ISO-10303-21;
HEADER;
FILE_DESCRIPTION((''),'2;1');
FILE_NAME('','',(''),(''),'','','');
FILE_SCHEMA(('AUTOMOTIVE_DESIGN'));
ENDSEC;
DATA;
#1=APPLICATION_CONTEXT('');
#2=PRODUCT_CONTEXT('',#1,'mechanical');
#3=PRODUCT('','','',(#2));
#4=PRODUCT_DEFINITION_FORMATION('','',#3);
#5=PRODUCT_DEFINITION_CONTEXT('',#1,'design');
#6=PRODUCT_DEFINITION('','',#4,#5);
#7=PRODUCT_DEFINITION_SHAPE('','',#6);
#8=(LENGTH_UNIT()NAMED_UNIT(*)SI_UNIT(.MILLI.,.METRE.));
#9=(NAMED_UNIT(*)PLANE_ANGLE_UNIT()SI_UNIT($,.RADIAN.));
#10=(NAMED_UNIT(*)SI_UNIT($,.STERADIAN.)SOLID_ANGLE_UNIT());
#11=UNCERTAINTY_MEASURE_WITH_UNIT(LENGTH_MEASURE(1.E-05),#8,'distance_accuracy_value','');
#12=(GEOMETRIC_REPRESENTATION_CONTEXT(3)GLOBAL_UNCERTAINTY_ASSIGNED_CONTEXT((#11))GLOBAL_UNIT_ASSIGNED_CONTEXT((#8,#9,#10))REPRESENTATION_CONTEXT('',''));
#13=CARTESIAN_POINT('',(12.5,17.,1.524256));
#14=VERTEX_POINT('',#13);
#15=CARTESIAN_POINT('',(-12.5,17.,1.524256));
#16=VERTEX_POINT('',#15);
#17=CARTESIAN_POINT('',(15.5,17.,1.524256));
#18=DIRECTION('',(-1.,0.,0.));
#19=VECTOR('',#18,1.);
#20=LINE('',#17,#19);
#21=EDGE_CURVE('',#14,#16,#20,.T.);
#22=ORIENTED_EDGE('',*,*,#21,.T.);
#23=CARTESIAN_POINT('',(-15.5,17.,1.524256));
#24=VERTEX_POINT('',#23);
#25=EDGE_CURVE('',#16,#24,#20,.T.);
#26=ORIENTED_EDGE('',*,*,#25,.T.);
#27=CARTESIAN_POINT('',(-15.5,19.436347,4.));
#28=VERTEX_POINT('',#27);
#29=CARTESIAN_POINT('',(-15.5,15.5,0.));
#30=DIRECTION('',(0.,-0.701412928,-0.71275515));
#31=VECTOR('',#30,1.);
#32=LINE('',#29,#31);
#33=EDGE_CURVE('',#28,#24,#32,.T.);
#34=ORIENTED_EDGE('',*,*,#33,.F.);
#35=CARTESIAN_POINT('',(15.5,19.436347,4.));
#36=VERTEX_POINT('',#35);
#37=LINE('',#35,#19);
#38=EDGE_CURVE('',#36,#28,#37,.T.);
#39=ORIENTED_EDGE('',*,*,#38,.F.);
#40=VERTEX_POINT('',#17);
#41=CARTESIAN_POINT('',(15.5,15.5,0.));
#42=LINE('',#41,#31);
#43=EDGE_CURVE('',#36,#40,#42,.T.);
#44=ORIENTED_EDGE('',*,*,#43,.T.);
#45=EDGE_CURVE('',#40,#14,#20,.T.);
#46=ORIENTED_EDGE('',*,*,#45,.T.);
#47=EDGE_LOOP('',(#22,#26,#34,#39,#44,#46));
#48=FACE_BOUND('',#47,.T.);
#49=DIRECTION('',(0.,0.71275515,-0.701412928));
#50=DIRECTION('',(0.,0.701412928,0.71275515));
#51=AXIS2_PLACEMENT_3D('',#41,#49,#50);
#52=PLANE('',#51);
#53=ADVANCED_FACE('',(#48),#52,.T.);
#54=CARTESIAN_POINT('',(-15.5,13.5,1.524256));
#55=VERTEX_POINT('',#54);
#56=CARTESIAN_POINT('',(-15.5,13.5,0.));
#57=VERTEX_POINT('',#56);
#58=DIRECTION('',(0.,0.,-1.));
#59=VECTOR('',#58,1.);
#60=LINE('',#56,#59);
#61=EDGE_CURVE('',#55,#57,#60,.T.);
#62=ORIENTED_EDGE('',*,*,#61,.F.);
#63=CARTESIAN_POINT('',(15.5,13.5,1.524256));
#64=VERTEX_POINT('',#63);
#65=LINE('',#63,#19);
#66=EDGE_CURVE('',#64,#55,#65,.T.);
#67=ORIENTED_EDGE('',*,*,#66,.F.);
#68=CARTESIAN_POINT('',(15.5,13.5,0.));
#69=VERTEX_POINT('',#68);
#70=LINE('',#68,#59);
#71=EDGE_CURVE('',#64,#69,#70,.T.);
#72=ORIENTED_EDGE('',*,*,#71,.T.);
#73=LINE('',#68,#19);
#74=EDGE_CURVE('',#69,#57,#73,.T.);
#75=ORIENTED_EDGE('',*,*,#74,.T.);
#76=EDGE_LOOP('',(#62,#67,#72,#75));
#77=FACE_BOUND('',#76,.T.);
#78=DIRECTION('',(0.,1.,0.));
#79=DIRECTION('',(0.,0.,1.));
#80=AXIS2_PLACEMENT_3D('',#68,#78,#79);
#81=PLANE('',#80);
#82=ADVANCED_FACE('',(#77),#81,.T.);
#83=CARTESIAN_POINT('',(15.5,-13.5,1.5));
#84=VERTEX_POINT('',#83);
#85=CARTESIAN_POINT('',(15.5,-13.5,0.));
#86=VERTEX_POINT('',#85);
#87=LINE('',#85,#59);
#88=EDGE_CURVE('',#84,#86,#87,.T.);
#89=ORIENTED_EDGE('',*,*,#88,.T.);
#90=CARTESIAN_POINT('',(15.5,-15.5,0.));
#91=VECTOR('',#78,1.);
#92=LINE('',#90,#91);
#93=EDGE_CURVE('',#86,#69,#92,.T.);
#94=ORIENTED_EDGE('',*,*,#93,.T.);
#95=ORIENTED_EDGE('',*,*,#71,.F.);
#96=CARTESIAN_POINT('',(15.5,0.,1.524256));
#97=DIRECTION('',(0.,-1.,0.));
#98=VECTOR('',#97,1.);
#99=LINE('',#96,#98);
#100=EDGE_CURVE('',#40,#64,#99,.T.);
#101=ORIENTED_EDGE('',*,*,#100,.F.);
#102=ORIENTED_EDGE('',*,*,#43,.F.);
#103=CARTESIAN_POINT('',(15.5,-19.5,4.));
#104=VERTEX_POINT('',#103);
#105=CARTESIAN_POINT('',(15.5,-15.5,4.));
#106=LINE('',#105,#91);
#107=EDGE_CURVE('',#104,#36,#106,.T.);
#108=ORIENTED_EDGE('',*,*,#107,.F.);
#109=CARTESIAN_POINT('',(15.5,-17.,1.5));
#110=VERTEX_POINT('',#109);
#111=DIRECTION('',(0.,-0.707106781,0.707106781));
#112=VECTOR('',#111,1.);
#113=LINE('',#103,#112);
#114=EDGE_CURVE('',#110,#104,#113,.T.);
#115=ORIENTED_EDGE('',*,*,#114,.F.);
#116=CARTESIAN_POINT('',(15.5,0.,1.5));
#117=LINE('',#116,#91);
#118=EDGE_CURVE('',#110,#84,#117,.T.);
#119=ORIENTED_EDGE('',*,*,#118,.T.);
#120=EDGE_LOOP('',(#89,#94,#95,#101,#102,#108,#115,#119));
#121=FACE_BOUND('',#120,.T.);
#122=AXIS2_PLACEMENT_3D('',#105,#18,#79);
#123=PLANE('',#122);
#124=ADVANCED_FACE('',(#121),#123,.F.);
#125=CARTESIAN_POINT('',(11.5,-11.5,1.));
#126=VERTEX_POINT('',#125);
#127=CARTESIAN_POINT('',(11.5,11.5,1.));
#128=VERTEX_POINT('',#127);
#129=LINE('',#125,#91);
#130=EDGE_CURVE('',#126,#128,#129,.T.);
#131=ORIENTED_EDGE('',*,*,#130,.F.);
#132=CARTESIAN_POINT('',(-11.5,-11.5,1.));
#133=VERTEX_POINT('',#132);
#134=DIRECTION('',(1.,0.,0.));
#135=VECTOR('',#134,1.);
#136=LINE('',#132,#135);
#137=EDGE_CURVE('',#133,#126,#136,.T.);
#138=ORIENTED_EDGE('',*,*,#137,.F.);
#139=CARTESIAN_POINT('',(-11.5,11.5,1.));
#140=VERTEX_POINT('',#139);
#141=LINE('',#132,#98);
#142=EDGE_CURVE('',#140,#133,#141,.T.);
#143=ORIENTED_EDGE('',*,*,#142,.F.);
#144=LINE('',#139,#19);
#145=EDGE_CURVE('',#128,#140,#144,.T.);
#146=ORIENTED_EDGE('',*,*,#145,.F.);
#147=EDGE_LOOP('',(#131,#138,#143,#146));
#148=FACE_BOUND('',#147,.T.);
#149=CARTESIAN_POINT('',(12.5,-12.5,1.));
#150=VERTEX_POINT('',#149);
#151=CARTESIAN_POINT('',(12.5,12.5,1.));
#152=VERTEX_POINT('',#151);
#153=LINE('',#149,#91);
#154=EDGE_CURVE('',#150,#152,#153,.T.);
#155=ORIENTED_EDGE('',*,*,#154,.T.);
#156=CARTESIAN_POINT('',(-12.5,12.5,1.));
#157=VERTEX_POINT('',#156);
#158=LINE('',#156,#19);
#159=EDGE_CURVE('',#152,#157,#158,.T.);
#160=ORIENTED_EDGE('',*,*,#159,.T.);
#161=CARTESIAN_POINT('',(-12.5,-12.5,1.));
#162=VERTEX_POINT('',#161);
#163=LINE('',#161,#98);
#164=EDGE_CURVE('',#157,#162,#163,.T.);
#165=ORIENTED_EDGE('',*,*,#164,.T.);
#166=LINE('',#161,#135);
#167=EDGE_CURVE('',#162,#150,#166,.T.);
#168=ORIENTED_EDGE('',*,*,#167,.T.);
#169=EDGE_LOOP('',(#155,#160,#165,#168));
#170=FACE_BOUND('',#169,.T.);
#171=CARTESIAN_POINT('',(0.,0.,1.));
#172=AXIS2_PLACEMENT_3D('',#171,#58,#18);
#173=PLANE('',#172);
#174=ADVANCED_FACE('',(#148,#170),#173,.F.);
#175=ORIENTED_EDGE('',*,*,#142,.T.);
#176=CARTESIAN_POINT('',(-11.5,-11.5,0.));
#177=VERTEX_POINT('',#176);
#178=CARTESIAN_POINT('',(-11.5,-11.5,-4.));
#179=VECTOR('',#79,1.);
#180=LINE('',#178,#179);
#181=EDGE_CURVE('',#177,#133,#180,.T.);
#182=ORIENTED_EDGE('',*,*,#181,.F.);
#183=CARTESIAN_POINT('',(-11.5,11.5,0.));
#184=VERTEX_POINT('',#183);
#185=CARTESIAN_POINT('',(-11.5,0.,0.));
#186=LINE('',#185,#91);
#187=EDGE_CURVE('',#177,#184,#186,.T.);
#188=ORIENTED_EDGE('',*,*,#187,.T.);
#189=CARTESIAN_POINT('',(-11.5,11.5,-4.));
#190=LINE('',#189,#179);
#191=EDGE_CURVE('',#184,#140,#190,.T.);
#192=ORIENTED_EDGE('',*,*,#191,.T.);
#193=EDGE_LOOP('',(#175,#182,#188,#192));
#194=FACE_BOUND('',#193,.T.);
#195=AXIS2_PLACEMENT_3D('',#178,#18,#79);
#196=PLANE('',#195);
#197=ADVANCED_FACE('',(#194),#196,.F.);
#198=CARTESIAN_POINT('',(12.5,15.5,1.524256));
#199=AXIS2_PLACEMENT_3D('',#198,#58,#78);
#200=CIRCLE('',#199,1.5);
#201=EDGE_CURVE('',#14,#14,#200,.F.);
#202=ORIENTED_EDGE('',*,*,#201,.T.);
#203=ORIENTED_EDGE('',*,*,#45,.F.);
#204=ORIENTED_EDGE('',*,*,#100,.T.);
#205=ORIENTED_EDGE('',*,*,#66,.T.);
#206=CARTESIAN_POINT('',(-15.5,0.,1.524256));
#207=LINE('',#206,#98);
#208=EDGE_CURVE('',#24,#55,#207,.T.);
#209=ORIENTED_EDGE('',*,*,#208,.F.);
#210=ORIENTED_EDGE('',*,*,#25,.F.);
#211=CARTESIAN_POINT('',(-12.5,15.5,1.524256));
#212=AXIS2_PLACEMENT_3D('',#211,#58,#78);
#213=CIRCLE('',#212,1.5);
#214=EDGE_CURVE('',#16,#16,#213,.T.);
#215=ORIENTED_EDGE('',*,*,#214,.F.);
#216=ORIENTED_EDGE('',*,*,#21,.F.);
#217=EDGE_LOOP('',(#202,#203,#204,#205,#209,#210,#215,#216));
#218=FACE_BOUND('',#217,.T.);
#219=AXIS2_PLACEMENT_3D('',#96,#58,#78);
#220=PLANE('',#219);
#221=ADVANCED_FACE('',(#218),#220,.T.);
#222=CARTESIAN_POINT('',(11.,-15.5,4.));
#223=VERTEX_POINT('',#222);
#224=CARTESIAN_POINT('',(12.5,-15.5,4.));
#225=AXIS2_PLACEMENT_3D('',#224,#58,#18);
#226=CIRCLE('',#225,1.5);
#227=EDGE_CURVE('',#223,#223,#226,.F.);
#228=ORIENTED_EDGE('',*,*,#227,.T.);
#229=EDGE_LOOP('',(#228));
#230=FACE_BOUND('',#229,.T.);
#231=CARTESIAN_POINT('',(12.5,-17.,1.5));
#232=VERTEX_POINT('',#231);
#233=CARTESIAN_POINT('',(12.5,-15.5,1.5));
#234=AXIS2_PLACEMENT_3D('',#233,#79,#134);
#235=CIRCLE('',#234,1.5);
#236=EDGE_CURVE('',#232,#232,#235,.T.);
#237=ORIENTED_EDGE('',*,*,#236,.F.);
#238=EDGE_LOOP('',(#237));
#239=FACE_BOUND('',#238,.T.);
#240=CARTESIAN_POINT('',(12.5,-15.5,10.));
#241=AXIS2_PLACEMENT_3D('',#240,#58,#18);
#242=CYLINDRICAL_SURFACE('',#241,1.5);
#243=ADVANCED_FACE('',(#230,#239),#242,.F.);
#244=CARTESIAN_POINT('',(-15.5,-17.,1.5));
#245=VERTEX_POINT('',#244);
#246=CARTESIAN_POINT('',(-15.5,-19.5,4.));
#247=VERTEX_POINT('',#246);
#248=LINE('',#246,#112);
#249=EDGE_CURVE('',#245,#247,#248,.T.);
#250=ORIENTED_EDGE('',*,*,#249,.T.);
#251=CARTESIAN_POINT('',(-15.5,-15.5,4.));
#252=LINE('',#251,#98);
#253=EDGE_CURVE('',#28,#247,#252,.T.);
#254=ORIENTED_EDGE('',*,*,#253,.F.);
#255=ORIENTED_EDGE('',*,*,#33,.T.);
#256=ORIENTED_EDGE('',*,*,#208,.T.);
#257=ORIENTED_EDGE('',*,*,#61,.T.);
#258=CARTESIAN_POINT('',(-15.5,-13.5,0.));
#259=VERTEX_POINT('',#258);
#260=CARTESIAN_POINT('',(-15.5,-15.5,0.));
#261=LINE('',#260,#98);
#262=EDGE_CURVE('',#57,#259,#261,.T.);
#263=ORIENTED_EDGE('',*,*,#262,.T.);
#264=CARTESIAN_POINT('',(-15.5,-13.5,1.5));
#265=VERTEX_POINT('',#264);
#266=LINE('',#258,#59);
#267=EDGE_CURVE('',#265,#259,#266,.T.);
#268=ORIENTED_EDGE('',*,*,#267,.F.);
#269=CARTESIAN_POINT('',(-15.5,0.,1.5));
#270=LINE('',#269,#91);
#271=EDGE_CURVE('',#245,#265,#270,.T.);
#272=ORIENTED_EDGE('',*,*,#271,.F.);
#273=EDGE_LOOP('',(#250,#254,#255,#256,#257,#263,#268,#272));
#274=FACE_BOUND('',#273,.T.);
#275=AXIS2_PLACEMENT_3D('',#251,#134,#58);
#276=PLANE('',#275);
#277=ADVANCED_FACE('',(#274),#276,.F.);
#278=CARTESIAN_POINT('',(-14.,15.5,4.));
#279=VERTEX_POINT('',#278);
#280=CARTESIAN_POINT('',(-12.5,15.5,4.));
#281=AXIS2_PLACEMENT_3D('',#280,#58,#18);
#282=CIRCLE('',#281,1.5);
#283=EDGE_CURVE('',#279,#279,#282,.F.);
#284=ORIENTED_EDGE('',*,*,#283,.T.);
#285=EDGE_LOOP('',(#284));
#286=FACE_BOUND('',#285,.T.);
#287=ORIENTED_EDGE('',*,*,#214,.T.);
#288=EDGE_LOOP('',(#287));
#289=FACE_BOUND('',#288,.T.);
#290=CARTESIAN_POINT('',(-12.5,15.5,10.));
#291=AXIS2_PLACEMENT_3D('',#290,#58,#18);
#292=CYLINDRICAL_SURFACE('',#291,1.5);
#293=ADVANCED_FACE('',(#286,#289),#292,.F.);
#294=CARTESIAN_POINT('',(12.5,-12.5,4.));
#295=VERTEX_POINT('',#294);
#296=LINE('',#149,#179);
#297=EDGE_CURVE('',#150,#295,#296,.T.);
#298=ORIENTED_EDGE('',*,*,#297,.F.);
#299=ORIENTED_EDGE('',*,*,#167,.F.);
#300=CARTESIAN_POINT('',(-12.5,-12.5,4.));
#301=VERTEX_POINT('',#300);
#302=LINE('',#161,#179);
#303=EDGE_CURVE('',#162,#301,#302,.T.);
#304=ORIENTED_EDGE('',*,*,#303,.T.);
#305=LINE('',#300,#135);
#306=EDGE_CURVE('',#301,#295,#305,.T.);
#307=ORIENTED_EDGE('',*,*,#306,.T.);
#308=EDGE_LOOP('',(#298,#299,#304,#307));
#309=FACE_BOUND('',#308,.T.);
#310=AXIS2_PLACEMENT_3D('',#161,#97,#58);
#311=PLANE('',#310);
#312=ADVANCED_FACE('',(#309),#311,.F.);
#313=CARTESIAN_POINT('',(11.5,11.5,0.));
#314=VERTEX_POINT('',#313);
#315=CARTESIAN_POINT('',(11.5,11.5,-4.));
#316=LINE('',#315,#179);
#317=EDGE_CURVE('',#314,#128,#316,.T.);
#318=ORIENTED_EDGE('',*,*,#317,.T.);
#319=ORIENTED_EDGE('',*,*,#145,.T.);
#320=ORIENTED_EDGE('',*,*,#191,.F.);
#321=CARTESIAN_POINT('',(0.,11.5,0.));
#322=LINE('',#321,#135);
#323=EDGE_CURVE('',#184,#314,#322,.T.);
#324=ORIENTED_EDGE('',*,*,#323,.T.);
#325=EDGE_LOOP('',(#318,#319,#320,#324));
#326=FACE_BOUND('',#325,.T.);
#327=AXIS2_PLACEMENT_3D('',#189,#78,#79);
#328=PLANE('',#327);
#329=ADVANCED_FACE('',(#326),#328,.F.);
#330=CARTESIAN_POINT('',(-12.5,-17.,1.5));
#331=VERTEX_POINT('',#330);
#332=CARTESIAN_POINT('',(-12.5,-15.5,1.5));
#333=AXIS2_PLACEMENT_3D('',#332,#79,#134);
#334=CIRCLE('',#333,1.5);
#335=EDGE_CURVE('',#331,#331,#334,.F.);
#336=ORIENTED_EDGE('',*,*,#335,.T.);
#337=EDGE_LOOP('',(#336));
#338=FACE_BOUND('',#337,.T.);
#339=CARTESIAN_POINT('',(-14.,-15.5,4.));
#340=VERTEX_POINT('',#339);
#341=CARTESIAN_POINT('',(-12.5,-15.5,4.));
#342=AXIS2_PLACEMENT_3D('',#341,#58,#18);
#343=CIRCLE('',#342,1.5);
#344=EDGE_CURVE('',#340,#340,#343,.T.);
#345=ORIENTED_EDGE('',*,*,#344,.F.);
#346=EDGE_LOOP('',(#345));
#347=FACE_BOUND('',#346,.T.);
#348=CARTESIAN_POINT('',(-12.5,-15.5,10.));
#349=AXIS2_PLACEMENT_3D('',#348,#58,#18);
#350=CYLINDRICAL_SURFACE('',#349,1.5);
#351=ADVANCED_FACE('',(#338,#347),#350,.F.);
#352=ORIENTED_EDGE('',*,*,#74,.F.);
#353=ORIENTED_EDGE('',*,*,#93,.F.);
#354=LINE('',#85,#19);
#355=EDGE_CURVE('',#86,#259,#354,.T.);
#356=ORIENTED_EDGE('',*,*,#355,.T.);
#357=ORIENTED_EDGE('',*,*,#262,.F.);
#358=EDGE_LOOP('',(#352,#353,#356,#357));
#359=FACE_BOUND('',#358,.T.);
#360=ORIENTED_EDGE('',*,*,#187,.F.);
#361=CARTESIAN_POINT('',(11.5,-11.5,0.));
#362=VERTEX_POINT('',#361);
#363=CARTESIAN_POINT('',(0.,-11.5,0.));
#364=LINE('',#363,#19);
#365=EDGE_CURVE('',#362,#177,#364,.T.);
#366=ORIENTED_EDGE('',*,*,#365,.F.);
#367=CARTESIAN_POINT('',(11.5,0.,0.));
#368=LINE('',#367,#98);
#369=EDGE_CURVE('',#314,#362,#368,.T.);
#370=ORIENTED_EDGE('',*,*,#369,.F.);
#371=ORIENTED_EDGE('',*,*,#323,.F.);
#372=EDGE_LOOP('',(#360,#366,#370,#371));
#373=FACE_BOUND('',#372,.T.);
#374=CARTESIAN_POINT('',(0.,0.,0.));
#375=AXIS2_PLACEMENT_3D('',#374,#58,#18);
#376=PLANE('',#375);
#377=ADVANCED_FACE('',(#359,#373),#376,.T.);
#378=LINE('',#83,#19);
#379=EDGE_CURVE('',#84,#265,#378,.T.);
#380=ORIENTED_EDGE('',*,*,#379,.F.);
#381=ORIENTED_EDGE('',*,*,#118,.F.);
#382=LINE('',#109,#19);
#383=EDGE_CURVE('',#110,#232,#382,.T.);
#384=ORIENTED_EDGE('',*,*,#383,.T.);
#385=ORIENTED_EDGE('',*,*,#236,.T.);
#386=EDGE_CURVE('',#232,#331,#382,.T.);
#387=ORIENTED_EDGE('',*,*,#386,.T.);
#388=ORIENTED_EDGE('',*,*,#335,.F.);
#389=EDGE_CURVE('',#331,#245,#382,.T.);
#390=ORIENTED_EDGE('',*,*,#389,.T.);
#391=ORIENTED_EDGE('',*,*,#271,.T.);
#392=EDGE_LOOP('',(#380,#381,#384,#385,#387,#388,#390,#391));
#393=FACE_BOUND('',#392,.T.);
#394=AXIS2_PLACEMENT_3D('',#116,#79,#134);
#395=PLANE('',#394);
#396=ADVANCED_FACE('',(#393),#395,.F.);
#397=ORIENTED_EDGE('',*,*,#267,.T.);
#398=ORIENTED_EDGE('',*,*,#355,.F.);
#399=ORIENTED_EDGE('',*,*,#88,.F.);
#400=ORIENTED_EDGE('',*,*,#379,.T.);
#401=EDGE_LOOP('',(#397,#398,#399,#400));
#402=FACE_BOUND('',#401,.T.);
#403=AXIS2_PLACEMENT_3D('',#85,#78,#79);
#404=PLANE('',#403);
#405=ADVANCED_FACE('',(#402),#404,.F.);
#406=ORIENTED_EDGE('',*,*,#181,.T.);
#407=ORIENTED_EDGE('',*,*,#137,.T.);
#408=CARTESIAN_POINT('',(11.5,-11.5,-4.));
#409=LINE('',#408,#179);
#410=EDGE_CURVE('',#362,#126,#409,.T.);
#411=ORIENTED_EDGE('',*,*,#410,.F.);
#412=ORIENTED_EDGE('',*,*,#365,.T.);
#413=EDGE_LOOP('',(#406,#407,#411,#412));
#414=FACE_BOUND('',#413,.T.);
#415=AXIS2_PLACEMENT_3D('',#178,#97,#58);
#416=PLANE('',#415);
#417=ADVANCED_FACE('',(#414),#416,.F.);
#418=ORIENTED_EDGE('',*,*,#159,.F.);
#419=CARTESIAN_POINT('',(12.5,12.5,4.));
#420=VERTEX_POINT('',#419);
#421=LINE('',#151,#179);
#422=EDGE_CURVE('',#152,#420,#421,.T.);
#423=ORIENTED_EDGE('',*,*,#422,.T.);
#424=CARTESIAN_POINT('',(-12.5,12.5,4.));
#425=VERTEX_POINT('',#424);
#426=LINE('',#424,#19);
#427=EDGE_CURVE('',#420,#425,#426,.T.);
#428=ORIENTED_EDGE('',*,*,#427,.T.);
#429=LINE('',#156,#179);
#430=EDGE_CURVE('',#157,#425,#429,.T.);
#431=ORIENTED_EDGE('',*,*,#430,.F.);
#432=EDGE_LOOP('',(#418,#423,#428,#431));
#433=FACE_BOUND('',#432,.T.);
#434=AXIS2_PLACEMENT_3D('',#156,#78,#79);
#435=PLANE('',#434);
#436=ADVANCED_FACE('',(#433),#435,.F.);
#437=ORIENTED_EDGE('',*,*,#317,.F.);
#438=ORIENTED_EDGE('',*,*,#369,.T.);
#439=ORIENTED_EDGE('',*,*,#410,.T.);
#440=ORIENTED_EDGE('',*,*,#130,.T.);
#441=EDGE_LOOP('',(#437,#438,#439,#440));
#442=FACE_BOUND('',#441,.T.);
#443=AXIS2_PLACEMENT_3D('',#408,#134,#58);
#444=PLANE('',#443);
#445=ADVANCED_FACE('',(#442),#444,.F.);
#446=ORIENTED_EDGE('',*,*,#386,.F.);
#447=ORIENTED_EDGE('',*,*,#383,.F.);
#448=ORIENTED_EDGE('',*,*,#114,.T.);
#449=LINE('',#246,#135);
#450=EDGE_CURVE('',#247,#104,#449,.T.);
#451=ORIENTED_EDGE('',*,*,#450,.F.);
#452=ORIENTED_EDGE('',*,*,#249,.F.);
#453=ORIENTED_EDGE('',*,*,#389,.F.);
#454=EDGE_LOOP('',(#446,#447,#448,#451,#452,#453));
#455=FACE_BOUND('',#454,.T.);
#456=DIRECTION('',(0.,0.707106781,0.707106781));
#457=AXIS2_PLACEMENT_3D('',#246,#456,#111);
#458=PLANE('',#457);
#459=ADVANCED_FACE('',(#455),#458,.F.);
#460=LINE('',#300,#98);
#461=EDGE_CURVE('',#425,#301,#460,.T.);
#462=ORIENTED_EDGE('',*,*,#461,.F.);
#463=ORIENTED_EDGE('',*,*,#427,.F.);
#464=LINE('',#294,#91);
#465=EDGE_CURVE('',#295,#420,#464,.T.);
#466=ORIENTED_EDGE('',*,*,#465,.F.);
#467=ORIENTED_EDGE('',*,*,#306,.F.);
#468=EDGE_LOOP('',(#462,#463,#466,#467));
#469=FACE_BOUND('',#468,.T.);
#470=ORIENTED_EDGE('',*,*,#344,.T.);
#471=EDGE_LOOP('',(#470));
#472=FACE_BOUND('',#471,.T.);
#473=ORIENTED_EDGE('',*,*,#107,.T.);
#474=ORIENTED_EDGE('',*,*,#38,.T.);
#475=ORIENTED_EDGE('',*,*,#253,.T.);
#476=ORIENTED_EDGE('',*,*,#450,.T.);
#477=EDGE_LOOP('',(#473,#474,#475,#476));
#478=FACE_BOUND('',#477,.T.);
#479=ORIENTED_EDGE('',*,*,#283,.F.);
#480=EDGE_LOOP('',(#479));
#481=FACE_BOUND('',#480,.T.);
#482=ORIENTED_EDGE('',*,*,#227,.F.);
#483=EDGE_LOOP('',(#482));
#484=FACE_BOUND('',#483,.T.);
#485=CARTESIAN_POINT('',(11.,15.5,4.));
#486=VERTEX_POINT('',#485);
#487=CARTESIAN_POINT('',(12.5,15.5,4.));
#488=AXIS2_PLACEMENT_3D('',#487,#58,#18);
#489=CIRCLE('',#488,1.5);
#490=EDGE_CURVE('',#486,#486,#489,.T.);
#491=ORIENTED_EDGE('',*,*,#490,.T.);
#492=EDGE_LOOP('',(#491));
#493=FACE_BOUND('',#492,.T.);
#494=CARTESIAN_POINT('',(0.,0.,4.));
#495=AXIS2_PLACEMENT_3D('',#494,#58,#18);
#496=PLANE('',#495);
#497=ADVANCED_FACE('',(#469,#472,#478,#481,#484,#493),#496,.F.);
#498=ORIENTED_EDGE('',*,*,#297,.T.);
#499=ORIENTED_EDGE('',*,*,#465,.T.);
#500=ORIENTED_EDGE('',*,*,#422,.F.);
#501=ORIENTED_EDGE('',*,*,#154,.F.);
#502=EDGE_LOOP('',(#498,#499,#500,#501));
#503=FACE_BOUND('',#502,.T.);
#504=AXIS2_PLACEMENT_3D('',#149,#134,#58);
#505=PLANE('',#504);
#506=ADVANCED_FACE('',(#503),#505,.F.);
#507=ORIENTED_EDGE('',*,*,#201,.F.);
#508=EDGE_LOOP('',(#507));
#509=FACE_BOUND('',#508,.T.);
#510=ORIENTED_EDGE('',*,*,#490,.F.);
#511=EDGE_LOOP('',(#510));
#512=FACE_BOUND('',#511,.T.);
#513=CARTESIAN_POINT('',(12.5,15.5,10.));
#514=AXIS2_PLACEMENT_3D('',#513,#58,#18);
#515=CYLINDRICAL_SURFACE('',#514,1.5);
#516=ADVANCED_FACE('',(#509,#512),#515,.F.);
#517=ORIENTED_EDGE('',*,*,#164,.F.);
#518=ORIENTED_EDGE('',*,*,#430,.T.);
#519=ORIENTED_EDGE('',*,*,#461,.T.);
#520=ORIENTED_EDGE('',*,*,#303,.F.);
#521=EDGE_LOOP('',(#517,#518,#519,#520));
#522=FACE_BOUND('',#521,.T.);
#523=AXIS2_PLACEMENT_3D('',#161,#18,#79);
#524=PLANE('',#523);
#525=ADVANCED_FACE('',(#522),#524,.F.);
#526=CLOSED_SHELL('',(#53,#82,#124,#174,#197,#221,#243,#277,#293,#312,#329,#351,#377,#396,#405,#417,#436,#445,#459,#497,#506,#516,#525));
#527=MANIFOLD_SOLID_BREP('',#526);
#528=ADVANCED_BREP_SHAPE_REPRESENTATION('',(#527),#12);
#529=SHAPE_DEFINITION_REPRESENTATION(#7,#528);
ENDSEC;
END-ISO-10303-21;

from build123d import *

# Parameters (mm, degrees)
SKETCH3_W               = 31
SKETCH3_H               = 31
BOSS_EXTRUDE2_DEPTH     = 4
SKETCH4_W               = 25
SKETCH4_H               = 25
CUT_EXTRUDE1_DEPTH      = 3
SKETCH5_W               = 23
SKETCH5_H               = 23
CUT_EXTRUDE2_DEPTH      = 5
SKETCH9_R               = 1.5
CUT_EXTRUDE3_DEPTH      = 10
MIRROR3_COPY_1_SKETCH_R = 1.5
MIRROR3_COPY_1_DEPTH    = 10
CUT_EXTRUDE4_DEPTH      = 37.84087404


with BuildPart() as part:
    # Sketch3 → Boss-Extrude2 (new body)
    with BuildSketch(Plane.XY):
        Rectangle(SKETCH3_W, SKETCH3_H)
    extrude(amount=BOSS_EXTRUDE2_DEPTH)

    # Sketch4 → Cut-Extrude1 (cut)
    with BuildSketch(Plane.XY.offset(4)):
        Rectangle(SKETCH4_W, SKETCH4_H)
    extrude(amount=-CUT_EXTRUDE1_DEPTH, mode=Mode.SUBTRACT)

    # Sketch5 → Cut-Extrude2 (cut)
    with BuildSketch(Plane.XY.offset(1)):
        Rectangle(SKETCH5_W, SKETCH5_H)
    extrude(amount=-CUT_EXTRUDE2_DEPTH, mode=Mode.SUBTRACT)

    # Sweep1: sweep along a curve in space
    with BuildLine() as sweep1_path:
        Line((-15.5, -15.5, 4), (15.5, -15.5, 4))
    # Sketch6 → Sweep1 (sweep)
    with BuildSketch(Plane.ZY.offset(15.5)):
        Polygon((4, -15.5), (4, -19.5), (0, -15.5), align=None)
    sweep(path=sweep1_path.line)

    # Sweep2: sweep along a curve in space
    with BuildLine() as sweep2_path:
        Line((15.5, 15.5, 0), (-15.5, 15.5, 0))
    # Sketch8 → Sweep2 (sweep)
    with BuildSketch(Plane.ZY.offset(15.5)):
        Polygon((0, 15.5), (4, 19.43634716), (4, 15.5), align=None)
    sweep(path=sweep2_path.line)

    # Sketch9 → Cut-Extrude3 (cut)
    with BuildSketch(Plane(origin=(0, 0, 0), x_dir=(-1, 0, 0), z_dir=(0, 0, -1))):
        with Locations((-12.5, 15.5)):
            Circle(SKETCH9_R)
    cut_extrude3 = extrude(amount=-CUT_EXTRUDE3_DEPTH, mode=Mode.SUBTRACT)

    # Mirror1: Cut-Extrude3 across plane
    add(cut_extrude3.mirror(Plane(origin=(0, 0, 0), x_dir=(0, 0, 1), z_dir=(1, 0, 0))), mode=Mode.SUBTRACT)

    # Mirror3: Cut-Extrude3 across plane
    add(cut_extrude3.mirror(Plane.ZX), mode=Mode.SUBTRACT)

    # Mirror3 copy 1 sketch → Mirror3 copy 1 (cut)
    with BuildSketch(Plane(origin=(0, 0, 0), x_dir=(1, 0, 0), z_dir=(0, 0, -1))):
        with Locations((-12.5, 15.5)):
            Circle(MIRROR3_COPY_1_SKETCH_R)
    extrude(amount=-MIRROR3_COPY_1_DEPTH, mode=Mode.SUBTRACT)

    # Sketch10 → Cut-Extrude4 (cut, through all)
    with BuildSketch(Plane.ZY.offset(15.5)):
        Polygon((0, -15.5), (1.5, -17), (1.5, -13.5), (0, -13.5), align=None)
        Polygon((1.524255803, 17), (0, 15.5), (0, 13.5), (1.524255803, 13.5), align=None)
    extrude(amount=-CUT_EXTRUDE4_DEPTH, mode=Mode.SUBTRACT)


solid = part.part
